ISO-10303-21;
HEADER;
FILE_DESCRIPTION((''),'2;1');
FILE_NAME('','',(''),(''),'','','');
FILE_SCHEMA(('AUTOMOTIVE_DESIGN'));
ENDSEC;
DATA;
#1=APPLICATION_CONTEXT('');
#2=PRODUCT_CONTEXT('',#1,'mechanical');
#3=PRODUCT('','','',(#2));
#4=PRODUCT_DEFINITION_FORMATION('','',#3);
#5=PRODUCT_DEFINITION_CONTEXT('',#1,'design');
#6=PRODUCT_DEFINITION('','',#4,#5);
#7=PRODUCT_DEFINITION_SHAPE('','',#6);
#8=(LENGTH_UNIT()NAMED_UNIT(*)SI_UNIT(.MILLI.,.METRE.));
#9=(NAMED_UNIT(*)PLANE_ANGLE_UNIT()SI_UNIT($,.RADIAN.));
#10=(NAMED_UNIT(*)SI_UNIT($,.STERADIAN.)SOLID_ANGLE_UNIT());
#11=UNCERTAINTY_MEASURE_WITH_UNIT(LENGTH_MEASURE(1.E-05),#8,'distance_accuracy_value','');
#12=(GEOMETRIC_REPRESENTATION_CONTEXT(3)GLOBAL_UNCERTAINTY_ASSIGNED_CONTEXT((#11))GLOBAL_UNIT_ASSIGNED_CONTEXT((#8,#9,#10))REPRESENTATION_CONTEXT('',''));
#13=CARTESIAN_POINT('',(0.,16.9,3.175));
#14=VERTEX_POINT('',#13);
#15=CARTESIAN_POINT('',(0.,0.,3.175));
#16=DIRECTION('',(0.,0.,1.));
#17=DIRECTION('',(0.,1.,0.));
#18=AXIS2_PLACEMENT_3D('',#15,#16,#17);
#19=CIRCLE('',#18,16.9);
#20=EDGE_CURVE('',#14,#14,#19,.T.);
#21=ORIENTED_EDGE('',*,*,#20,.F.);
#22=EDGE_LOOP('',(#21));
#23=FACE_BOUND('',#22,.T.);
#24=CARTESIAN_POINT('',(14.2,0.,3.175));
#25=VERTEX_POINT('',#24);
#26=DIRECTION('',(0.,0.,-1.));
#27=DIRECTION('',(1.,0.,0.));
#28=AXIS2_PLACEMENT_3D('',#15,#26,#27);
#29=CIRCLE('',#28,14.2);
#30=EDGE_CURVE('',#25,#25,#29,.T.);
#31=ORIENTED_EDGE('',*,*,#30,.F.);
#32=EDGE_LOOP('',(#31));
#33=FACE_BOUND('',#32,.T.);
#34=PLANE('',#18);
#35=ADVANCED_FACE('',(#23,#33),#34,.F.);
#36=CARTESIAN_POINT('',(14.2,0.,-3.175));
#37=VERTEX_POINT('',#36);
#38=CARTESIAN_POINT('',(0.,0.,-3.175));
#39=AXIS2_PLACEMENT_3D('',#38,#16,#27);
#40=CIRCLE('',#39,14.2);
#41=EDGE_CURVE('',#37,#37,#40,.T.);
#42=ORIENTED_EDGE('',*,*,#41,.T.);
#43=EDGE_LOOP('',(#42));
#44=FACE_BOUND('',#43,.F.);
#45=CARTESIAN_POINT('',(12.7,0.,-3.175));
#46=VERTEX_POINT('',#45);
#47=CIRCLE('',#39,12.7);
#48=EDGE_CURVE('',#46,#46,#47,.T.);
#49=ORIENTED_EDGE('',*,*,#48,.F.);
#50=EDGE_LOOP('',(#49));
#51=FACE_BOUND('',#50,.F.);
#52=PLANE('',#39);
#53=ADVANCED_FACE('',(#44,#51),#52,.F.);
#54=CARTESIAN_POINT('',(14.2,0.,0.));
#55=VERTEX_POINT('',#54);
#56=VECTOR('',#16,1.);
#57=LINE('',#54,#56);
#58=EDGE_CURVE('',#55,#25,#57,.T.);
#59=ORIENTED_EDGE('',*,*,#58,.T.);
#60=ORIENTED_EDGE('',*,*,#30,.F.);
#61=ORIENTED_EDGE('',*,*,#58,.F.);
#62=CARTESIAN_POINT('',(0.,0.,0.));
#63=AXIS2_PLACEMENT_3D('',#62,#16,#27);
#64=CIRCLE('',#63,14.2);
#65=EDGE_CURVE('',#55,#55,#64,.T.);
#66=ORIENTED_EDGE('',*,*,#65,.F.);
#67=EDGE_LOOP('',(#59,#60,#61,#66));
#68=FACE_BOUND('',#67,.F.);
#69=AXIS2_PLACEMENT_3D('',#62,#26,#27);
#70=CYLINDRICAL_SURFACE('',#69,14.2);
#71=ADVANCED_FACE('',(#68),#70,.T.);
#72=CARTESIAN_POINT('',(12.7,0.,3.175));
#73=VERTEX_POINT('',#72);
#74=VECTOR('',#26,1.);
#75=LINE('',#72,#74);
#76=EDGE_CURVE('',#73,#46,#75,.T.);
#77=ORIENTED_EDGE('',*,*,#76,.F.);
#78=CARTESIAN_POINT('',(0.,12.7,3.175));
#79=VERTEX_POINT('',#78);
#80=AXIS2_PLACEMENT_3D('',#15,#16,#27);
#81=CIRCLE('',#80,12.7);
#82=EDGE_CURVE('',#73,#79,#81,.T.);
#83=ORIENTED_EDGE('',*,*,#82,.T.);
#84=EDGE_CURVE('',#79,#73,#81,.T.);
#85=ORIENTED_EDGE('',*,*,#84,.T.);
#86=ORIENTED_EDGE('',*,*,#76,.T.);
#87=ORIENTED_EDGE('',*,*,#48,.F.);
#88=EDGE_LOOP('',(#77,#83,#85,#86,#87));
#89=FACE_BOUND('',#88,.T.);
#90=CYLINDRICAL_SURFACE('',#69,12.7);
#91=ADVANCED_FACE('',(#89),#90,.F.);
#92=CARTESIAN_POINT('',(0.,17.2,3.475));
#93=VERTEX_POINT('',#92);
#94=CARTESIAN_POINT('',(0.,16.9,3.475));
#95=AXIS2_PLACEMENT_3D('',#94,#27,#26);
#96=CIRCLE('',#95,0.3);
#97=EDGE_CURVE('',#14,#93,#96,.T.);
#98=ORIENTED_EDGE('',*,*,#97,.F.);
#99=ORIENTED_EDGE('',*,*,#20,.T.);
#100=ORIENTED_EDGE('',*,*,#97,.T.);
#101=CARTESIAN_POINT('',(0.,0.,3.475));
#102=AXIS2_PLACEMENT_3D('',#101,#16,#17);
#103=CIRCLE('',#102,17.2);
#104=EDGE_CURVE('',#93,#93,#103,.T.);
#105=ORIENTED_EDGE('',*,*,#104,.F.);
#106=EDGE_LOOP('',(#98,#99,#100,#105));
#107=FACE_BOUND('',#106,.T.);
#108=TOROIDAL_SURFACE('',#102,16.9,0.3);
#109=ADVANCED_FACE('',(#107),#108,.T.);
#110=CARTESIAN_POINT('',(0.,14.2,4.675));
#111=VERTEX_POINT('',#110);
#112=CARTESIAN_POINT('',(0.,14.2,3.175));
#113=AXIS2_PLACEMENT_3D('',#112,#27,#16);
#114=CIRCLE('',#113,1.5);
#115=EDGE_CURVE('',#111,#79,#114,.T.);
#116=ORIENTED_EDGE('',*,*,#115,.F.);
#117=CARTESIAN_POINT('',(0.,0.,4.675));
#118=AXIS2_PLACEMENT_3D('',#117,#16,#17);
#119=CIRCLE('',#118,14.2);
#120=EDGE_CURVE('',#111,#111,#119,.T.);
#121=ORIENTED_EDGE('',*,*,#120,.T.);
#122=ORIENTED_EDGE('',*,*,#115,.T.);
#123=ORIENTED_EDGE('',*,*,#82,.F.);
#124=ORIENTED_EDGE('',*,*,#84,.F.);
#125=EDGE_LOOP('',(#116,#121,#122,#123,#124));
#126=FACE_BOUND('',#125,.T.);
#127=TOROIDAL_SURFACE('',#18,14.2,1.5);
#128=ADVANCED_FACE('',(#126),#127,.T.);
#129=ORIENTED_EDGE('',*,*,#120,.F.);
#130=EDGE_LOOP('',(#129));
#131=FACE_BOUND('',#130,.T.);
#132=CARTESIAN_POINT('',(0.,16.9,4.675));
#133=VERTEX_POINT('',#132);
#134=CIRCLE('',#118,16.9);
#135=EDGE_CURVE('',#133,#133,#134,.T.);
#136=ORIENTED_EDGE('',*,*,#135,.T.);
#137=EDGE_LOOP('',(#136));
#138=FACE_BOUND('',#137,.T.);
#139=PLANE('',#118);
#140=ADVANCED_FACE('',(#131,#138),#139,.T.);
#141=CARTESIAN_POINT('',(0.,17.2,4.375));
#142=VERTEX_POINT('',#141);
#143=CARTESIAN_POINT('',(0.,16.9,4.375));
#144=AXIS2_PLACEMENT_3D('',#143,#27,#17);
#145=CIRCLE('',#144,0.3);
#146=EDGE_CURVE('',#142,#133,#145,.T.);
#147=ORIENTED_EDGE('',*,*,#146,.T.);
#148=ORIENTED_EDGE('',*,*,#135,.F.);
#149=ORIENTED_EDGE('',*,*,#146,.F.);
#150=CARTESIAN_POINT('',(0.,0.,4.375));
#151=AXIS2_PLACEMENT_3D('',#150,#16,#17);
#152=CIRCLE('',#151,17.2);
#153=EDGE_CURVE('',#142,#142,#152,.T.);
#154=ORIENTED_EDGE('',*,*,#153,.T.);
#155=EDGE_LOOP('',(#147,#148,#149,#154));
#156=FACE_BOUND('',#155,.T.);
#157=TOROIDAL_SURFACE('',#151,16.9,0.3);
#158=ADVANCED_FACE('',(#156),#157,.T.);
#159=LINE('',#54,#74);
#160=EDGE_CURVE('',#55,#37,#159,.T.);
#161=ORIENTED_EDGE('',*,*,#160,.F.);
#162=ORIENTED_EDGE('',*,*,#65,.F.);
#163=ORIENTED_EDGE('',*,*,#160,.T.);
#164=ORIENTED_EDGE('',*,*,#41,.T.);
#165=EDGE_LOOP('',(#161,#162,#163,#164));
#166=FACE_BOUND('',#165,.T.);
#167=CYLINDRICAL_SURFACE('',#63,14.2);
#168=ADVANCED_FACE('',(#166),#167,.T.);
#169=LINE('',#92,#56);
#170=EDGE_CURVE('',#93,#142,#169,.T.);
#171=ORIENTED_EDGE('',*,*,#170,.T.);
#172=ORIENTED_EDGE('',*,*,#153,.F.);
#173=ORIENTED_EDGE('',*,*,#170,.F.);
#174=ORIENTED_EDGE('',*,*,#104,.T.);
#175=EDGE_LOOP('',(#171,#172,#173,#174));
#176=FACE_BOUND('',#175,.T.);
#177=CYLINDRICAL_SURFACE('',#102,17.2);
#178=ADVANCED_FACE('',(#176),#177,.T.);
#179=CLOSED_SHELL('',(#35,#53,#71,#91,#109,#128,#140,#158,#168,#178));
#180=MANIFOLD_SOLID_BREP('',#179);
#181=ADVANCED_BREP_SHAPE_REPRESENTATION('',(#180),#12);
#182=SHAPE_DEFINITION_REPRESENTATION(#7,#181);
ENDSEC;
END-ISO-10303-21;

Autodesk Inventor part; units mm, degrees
ref_plane "YZ Plane" through (0, 0, 0) normal (1, 0, 0) x (0, 1, 0)
ref_plane "XZ Plane" through (0, 0, 0) normal (0, 1, 0) x (-1, 0, 0)
ref_plane "XY Plane" through (0, 0, 0) normal (0, 0, 1) x (1, 0, 0)
sketch "Boceto1" plane through (0, 0, 0) normal (0, 0, 1) x (1, 0, 0)
  circle A0 centre (0, 0) radius 12.7
  circle A1 centre (0, 0) radius 14.2
  dimension "d0" = 25.4
  dimension "d1" = 28.4
extrude "Extrusión1" add sketch "Boceto1" along normal mid plane 6.35
sketch "Boceto2" plane through (0, 0, 0) normal (1, 0, 0) x (0, 1, 0)
  line L0 (14.2, 3.175) -> (16.9, 3.175)
  line L1 (17.2, 3.475) -> (17.2, 4.375)
  line L2 (16.9, 4.675) -> (14.2, 4.675)
  arc A0 (14.2, 4.675) -> (12.7, 3.175) centre (14.2, 3.175) ccw
  arc A1 (16.9, 3.175) -> (17.2, 3.475) centre (16.9, 3.475) ccw
  arc A2 (17.2, 4.375) -> (16.9, 4.675) centre (16.9, 4.375) ccw
  line L3 (14.2, 3.175) -> (12.7, 3.175)
  line L4 (0, -0.9971) -> (0, 5.9828) projected
  point P0 (0, 0)
  point P1 (17.2, 3.175)
  point P2 (17.2, 4.675)
  dimension "d4" = 3
  dimension "d5" = 1.5
  dimension "d6" = 3
  dimension "d7" = 0.3
revolve "Revolución1" add sketch "Boceto2" angle 360 about axis through (0, 0, -10) along (0, 0, 1)
properties part number "Buje de base soporte"
